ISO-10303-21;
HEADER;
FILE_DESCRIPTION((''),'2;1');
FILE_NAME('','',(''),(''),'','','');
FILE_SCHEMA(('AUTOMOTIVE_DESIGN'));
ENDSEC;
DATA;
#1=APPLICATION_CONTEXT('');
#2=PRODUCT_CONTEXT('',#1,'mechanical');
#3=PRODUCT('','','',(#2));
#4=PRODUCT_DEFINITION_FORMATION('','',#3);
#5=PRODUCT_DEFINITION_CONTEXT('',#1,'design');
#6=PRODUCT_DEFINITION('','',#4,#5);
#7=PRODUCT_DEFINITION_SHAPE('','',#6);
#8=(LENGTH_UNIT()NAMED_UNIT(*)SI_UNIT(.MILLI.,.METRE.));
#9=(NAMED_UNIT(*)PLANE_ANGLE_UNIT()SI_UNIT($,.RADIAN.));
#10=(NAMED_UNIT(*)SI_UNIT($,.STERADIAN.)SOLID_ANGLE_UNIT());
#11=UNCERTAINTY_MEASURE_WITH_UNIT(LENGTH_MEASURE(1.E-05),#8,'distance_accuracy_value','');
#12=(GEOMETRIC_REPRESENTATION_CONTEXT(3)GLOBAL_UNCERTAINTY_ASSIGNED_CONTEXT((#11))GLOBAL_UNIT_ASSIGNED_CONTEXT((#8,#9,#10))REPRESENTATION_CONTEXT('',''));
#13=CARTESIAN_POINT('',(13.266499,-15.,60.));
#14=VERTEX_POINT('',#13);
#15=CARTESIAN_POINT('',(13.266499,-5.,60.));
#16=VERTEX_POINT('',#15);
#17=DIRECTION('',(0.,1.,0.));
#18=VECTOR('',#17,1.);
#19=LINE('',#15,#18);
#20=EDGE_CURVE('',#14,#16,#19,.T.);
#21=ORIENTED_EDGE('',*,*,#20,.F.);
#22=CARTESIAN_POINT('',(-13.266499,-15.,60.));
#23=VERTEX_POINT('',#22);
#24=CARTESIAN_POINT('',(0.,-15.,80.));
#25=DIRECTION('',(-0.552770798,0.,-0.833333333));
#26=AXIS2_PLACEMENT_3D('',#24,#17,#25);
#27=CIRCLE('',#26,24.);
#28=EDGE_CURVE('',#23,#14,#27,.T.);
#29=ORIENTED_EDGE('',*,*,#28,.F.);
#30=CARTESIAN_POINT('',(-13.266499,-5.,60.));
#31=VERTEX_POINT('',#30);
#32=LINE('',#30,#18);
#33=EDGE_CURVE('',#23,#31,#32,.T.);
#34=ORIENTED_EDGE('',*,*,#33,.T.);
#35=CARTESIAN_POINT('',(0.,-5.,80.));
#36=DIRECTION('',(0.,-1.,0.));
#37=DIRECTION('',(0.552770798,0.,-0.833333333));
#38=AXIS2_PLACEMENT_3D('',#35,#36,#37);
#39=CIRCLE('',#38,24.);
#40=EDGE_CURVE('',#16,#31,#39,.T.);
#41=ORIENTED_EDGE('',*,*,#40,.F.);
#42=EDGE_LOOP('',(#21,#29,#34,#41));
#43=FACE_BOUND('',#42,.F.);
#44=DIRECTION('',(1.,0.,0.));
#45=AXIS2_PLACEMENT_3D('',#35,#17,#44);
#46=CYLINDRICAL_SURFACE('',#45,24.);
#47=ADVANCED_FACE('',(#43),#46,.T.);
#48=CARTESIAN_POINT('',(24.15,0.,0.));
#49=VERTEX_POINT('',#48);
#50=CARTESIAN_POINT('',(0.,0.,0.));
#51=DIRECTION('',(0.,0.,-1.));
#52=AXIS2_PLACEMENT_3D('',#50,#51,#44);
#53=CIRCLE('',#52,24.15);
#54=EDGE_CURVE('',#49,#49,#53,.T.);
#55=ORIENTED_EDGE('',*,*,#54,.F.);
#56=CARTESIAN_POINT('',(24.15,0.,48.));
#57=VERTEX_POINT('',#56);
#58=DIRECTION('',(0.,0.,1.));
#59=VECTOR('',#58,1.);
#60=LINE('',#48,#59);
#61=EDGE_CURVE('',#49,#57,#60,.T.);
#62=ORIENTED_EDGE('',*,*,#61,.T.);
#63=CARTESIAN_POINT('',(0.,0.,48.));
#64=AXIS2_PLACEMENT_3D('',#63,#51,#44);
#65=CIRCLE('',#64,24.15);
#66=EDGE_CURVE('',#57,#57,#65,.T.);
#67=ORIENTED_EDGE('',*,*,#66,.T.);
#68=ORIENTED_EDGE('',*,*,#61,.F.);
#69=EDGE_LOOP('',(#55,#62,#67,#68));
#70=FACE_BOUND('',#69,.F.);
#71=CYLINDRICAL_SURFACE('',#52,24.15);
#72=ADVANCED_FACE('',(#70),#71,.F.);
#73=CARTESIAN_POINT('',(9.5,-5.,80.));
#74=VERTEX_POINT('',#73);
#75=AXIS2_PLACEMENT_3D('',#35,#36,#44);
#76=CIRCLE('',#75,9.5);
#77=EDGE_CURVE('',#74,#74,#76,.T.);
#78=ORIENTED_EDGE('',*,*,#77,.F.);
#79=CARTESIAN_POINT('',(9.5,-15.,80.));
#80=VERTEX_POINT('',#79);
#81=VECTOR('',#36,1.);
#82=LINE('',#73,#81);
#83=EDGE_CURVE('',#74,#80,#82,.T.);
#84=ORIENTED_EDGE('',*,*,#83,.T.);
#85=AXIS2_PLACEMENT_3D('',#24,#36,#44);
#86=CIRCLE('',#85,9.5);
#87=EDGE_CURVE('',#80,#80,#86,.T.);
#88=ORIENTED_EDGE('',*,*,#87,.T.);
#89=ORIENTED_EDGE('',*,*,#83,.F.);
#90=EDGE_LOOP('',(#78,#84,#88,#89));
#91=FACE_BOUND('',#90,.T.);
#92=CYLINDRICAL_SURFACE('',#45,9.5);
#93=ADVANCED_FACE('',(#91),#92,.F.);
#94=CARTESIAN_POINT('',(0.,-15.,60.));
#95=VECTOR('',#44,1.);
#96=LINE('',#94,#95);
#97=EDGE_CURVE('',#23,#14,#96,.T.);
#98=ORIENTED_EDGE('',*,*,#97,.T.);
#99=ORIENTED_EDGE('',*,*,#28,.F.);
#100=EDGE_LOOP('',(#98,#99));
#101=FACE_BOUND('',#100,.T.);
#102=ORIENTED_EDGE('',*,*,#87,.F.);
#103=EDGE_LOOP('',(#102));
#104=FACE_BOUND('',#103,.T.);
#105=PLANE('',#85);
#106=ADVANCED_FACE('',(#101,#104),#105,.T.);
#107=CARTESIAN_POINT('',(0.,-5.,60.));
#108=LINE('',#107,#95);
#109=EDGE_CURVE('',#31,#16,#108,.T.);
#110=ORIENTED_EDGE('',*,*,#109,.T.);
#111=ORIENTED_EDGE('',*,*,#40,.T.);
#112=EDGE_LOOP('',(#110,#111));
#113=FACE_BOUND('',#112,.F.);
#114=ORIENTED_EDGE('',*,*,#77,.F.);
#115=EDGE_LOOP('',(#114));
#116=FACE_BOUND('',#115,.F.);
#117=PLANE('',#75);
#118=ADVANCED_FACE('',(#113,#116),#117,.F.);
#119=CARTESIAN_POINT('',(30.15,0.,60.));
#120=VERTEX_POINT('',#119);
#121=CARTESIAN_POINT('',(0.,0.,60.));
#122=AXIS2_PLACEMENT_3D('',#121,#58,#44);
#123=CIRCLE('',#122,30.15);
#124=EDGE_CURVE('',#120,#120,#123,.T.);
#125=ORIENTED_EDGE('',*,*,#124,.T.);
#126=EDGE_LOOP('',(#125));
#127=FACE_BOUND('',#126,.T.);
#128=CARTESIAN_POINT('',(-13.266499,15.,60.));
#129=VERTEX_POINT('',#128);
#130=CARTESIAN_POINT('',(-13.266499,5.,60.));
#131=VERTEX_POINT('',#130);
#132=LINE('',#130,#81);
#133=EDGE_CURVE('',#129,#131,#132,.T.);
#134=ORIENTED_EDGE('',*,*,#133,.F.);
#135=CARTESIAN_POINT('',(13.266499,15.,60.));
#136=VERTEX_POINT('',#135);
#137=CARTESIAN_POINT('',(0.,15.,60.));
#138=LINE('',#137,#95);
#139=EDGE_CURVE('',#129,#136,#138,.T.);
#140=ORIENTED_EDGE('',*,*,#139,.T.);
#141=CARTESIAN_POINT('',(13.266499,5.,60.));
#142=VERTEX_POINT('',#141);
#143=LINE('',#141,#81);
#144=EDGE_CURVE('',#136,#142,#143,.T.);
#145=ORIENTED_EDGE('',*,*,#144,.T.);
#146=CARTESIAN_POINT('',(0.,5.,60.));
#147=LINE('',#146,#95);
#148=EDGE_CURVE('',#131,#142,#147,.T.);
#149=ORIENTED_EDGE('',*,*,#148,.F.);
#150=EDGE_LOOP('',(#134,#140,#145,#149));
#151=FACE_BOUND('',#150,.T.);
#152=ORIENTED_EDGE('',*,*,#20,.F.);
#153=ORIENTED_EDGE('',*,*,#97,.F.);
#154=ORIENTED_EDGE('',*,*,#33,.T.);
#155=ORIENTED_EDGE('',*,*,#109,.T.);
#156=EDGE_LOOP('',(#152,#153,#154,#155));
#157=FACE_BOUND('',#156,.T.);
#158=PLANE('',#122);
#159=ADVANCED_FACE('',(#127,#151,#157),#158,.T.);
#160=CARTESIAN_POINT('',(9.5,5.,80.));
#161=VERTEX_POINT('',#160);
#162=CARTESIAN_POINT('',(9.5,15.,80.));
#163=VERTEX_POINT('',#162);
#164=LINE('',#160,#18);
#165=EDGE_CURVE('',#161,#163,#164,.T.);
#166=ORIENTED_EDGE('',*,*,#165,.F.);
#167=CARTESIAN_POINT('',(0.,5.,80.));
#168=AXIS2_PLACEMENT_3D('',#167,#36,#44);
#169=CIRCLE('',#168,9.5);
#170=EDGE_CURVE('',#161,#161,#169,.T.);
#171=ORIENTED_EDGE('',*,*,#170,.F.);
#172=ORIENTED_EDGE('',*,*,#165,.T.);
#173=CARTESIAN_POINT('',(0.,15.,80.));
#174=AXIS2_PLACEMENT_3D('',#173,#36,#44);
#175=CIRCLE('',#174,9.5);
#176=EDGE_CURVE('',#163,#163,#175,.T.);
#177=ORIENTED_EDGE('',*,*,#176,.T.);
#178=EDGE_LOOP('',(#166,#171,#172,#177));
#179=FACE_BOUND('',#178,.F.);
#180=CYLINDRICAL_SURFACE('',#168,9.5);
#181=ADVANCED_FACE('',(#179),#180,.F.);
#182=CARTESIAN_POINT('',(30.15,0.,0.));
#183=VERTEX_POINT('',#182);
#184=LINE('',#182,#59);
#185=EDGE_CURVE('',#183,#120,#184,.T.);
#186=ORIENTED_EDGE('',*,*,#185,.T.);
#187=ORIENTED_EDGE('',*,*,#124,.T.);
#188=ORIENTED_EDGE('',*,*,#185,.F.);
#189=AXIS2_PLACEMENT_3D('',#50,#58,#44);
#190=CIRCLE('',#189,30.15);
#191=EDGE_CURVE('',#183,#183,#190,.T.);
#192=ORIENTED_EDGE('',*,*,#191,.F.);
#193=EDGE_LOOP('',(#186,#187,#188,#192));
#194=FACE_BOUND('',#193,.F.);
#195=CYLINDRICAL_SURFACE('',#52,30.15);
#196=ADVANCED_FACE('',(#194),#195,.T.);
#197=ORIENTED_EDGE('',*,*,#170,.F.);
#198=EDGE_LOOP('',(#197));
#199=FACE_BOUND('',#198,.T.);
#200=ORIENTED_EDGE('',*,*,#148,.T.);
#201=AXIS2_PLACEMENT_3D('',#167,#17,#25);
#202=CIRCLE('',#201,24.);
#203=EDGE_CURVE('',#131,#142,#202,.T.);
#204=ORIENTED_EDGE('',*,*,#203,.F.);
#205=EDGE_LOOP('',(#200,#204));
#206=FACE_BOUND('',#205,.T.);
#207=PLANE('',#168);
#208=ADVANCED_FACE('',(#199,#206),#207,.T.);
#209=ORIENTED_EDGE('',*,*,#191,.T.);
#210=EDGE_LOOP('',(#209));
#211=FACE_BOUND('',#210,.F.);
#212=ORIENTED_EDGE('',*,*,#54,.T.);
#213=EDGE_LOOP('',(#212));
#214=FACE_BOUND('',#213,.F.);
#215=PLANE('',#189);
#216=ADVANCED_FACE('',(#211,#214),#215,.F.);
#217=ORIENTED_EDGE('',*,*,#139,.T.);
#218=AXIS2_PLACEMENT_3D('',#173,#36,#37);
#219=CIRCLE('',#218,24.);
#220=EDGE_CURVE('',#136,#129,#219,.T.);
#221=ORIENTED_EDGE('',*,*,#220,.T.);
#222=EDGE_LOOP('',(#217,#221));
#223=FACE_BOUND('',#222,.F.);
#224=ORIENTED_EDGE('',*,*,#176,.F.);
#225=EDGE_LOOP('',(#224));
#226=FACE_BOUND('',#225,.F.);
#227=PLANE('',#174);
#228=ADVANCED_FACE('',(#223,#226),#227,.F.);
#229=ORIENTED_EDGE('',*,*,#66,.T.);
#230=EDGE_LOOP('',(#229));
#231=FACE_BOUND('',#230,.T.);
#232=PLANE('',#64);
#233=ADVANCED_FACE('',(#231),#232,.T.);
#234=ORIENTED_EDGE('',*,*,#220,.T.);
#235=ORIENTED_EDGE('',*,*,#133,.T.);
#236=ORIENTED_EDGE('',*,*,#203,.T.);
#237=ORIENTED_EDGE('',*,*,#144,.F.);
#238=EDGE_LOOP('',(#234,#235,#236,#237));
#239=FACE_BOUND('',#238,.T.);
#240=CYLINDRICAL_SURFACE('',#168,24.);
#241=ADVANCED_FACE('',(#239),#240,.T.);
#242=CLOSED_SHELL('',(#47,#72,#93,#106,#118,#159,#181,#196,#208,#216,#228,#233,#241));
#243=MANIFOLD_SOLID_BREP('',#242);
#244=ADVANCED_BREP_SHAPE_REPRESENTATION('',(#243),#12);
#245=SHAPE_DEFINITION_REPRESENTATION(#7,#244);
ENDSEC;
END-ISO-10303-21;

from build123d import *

# Parameters (mm, degrees)
SKETCH_R      = 30.15
PAD_DEPTH     = 60
SKETCH001_R   = 24.15
POCKET_DEPTH  = 48
SKETCH002_R   = 24
SKETCH002_R_2 = 9.5
PAD001_DEPTH  = 10
SKETCH003_R   = 24
SKETCH003_R_2 = 9.5
PAD002_DEPTH  = 10


with BuildPart() as part:
    # Sketch → Pad (new body)
    with BuildSketch(Plane.XY):
        Circle(SKETCH_R)
    extrude(amount=PAD_DEPTH)

    # Sketch001 (on Face2 of Pad) → Pocket (cut)
    with BuildSketch(Plane(origin=(0, 0, 0), x_dir=(1, 0, 0), z_dir=(0, 0, -1))):
        Circle(SKETCH001_R)
    extrude(amount=-POCKET_DEPTH, mode=Mode.SUBTRACT)

    # Sketch002 → Pad001 (join)
    with BuildSketch(Plane.XZ.offset(5)):
        with Locations((0, 80)):
            Circle(SKETCH002_R)
        with Locations((0, 80)):
            Circle(SKETCH002_R_2, mode=Mode.SUBTRACT)
    extrude(amount=PAD001_DEPTH)

    # Sketch003 → Pad002 (join)
    with BuildSketch(Plane.XZ.offset(-5)):
        with Locations((0, 80)):
            Circle(SKETCH003_R)
        with Locations((0, 80)):
            Circle(SKETCH003_R_2, mode=Mode.SUBTRACT)
    extrude(amount=-PAD002_DEPTH)


solid = part.part
